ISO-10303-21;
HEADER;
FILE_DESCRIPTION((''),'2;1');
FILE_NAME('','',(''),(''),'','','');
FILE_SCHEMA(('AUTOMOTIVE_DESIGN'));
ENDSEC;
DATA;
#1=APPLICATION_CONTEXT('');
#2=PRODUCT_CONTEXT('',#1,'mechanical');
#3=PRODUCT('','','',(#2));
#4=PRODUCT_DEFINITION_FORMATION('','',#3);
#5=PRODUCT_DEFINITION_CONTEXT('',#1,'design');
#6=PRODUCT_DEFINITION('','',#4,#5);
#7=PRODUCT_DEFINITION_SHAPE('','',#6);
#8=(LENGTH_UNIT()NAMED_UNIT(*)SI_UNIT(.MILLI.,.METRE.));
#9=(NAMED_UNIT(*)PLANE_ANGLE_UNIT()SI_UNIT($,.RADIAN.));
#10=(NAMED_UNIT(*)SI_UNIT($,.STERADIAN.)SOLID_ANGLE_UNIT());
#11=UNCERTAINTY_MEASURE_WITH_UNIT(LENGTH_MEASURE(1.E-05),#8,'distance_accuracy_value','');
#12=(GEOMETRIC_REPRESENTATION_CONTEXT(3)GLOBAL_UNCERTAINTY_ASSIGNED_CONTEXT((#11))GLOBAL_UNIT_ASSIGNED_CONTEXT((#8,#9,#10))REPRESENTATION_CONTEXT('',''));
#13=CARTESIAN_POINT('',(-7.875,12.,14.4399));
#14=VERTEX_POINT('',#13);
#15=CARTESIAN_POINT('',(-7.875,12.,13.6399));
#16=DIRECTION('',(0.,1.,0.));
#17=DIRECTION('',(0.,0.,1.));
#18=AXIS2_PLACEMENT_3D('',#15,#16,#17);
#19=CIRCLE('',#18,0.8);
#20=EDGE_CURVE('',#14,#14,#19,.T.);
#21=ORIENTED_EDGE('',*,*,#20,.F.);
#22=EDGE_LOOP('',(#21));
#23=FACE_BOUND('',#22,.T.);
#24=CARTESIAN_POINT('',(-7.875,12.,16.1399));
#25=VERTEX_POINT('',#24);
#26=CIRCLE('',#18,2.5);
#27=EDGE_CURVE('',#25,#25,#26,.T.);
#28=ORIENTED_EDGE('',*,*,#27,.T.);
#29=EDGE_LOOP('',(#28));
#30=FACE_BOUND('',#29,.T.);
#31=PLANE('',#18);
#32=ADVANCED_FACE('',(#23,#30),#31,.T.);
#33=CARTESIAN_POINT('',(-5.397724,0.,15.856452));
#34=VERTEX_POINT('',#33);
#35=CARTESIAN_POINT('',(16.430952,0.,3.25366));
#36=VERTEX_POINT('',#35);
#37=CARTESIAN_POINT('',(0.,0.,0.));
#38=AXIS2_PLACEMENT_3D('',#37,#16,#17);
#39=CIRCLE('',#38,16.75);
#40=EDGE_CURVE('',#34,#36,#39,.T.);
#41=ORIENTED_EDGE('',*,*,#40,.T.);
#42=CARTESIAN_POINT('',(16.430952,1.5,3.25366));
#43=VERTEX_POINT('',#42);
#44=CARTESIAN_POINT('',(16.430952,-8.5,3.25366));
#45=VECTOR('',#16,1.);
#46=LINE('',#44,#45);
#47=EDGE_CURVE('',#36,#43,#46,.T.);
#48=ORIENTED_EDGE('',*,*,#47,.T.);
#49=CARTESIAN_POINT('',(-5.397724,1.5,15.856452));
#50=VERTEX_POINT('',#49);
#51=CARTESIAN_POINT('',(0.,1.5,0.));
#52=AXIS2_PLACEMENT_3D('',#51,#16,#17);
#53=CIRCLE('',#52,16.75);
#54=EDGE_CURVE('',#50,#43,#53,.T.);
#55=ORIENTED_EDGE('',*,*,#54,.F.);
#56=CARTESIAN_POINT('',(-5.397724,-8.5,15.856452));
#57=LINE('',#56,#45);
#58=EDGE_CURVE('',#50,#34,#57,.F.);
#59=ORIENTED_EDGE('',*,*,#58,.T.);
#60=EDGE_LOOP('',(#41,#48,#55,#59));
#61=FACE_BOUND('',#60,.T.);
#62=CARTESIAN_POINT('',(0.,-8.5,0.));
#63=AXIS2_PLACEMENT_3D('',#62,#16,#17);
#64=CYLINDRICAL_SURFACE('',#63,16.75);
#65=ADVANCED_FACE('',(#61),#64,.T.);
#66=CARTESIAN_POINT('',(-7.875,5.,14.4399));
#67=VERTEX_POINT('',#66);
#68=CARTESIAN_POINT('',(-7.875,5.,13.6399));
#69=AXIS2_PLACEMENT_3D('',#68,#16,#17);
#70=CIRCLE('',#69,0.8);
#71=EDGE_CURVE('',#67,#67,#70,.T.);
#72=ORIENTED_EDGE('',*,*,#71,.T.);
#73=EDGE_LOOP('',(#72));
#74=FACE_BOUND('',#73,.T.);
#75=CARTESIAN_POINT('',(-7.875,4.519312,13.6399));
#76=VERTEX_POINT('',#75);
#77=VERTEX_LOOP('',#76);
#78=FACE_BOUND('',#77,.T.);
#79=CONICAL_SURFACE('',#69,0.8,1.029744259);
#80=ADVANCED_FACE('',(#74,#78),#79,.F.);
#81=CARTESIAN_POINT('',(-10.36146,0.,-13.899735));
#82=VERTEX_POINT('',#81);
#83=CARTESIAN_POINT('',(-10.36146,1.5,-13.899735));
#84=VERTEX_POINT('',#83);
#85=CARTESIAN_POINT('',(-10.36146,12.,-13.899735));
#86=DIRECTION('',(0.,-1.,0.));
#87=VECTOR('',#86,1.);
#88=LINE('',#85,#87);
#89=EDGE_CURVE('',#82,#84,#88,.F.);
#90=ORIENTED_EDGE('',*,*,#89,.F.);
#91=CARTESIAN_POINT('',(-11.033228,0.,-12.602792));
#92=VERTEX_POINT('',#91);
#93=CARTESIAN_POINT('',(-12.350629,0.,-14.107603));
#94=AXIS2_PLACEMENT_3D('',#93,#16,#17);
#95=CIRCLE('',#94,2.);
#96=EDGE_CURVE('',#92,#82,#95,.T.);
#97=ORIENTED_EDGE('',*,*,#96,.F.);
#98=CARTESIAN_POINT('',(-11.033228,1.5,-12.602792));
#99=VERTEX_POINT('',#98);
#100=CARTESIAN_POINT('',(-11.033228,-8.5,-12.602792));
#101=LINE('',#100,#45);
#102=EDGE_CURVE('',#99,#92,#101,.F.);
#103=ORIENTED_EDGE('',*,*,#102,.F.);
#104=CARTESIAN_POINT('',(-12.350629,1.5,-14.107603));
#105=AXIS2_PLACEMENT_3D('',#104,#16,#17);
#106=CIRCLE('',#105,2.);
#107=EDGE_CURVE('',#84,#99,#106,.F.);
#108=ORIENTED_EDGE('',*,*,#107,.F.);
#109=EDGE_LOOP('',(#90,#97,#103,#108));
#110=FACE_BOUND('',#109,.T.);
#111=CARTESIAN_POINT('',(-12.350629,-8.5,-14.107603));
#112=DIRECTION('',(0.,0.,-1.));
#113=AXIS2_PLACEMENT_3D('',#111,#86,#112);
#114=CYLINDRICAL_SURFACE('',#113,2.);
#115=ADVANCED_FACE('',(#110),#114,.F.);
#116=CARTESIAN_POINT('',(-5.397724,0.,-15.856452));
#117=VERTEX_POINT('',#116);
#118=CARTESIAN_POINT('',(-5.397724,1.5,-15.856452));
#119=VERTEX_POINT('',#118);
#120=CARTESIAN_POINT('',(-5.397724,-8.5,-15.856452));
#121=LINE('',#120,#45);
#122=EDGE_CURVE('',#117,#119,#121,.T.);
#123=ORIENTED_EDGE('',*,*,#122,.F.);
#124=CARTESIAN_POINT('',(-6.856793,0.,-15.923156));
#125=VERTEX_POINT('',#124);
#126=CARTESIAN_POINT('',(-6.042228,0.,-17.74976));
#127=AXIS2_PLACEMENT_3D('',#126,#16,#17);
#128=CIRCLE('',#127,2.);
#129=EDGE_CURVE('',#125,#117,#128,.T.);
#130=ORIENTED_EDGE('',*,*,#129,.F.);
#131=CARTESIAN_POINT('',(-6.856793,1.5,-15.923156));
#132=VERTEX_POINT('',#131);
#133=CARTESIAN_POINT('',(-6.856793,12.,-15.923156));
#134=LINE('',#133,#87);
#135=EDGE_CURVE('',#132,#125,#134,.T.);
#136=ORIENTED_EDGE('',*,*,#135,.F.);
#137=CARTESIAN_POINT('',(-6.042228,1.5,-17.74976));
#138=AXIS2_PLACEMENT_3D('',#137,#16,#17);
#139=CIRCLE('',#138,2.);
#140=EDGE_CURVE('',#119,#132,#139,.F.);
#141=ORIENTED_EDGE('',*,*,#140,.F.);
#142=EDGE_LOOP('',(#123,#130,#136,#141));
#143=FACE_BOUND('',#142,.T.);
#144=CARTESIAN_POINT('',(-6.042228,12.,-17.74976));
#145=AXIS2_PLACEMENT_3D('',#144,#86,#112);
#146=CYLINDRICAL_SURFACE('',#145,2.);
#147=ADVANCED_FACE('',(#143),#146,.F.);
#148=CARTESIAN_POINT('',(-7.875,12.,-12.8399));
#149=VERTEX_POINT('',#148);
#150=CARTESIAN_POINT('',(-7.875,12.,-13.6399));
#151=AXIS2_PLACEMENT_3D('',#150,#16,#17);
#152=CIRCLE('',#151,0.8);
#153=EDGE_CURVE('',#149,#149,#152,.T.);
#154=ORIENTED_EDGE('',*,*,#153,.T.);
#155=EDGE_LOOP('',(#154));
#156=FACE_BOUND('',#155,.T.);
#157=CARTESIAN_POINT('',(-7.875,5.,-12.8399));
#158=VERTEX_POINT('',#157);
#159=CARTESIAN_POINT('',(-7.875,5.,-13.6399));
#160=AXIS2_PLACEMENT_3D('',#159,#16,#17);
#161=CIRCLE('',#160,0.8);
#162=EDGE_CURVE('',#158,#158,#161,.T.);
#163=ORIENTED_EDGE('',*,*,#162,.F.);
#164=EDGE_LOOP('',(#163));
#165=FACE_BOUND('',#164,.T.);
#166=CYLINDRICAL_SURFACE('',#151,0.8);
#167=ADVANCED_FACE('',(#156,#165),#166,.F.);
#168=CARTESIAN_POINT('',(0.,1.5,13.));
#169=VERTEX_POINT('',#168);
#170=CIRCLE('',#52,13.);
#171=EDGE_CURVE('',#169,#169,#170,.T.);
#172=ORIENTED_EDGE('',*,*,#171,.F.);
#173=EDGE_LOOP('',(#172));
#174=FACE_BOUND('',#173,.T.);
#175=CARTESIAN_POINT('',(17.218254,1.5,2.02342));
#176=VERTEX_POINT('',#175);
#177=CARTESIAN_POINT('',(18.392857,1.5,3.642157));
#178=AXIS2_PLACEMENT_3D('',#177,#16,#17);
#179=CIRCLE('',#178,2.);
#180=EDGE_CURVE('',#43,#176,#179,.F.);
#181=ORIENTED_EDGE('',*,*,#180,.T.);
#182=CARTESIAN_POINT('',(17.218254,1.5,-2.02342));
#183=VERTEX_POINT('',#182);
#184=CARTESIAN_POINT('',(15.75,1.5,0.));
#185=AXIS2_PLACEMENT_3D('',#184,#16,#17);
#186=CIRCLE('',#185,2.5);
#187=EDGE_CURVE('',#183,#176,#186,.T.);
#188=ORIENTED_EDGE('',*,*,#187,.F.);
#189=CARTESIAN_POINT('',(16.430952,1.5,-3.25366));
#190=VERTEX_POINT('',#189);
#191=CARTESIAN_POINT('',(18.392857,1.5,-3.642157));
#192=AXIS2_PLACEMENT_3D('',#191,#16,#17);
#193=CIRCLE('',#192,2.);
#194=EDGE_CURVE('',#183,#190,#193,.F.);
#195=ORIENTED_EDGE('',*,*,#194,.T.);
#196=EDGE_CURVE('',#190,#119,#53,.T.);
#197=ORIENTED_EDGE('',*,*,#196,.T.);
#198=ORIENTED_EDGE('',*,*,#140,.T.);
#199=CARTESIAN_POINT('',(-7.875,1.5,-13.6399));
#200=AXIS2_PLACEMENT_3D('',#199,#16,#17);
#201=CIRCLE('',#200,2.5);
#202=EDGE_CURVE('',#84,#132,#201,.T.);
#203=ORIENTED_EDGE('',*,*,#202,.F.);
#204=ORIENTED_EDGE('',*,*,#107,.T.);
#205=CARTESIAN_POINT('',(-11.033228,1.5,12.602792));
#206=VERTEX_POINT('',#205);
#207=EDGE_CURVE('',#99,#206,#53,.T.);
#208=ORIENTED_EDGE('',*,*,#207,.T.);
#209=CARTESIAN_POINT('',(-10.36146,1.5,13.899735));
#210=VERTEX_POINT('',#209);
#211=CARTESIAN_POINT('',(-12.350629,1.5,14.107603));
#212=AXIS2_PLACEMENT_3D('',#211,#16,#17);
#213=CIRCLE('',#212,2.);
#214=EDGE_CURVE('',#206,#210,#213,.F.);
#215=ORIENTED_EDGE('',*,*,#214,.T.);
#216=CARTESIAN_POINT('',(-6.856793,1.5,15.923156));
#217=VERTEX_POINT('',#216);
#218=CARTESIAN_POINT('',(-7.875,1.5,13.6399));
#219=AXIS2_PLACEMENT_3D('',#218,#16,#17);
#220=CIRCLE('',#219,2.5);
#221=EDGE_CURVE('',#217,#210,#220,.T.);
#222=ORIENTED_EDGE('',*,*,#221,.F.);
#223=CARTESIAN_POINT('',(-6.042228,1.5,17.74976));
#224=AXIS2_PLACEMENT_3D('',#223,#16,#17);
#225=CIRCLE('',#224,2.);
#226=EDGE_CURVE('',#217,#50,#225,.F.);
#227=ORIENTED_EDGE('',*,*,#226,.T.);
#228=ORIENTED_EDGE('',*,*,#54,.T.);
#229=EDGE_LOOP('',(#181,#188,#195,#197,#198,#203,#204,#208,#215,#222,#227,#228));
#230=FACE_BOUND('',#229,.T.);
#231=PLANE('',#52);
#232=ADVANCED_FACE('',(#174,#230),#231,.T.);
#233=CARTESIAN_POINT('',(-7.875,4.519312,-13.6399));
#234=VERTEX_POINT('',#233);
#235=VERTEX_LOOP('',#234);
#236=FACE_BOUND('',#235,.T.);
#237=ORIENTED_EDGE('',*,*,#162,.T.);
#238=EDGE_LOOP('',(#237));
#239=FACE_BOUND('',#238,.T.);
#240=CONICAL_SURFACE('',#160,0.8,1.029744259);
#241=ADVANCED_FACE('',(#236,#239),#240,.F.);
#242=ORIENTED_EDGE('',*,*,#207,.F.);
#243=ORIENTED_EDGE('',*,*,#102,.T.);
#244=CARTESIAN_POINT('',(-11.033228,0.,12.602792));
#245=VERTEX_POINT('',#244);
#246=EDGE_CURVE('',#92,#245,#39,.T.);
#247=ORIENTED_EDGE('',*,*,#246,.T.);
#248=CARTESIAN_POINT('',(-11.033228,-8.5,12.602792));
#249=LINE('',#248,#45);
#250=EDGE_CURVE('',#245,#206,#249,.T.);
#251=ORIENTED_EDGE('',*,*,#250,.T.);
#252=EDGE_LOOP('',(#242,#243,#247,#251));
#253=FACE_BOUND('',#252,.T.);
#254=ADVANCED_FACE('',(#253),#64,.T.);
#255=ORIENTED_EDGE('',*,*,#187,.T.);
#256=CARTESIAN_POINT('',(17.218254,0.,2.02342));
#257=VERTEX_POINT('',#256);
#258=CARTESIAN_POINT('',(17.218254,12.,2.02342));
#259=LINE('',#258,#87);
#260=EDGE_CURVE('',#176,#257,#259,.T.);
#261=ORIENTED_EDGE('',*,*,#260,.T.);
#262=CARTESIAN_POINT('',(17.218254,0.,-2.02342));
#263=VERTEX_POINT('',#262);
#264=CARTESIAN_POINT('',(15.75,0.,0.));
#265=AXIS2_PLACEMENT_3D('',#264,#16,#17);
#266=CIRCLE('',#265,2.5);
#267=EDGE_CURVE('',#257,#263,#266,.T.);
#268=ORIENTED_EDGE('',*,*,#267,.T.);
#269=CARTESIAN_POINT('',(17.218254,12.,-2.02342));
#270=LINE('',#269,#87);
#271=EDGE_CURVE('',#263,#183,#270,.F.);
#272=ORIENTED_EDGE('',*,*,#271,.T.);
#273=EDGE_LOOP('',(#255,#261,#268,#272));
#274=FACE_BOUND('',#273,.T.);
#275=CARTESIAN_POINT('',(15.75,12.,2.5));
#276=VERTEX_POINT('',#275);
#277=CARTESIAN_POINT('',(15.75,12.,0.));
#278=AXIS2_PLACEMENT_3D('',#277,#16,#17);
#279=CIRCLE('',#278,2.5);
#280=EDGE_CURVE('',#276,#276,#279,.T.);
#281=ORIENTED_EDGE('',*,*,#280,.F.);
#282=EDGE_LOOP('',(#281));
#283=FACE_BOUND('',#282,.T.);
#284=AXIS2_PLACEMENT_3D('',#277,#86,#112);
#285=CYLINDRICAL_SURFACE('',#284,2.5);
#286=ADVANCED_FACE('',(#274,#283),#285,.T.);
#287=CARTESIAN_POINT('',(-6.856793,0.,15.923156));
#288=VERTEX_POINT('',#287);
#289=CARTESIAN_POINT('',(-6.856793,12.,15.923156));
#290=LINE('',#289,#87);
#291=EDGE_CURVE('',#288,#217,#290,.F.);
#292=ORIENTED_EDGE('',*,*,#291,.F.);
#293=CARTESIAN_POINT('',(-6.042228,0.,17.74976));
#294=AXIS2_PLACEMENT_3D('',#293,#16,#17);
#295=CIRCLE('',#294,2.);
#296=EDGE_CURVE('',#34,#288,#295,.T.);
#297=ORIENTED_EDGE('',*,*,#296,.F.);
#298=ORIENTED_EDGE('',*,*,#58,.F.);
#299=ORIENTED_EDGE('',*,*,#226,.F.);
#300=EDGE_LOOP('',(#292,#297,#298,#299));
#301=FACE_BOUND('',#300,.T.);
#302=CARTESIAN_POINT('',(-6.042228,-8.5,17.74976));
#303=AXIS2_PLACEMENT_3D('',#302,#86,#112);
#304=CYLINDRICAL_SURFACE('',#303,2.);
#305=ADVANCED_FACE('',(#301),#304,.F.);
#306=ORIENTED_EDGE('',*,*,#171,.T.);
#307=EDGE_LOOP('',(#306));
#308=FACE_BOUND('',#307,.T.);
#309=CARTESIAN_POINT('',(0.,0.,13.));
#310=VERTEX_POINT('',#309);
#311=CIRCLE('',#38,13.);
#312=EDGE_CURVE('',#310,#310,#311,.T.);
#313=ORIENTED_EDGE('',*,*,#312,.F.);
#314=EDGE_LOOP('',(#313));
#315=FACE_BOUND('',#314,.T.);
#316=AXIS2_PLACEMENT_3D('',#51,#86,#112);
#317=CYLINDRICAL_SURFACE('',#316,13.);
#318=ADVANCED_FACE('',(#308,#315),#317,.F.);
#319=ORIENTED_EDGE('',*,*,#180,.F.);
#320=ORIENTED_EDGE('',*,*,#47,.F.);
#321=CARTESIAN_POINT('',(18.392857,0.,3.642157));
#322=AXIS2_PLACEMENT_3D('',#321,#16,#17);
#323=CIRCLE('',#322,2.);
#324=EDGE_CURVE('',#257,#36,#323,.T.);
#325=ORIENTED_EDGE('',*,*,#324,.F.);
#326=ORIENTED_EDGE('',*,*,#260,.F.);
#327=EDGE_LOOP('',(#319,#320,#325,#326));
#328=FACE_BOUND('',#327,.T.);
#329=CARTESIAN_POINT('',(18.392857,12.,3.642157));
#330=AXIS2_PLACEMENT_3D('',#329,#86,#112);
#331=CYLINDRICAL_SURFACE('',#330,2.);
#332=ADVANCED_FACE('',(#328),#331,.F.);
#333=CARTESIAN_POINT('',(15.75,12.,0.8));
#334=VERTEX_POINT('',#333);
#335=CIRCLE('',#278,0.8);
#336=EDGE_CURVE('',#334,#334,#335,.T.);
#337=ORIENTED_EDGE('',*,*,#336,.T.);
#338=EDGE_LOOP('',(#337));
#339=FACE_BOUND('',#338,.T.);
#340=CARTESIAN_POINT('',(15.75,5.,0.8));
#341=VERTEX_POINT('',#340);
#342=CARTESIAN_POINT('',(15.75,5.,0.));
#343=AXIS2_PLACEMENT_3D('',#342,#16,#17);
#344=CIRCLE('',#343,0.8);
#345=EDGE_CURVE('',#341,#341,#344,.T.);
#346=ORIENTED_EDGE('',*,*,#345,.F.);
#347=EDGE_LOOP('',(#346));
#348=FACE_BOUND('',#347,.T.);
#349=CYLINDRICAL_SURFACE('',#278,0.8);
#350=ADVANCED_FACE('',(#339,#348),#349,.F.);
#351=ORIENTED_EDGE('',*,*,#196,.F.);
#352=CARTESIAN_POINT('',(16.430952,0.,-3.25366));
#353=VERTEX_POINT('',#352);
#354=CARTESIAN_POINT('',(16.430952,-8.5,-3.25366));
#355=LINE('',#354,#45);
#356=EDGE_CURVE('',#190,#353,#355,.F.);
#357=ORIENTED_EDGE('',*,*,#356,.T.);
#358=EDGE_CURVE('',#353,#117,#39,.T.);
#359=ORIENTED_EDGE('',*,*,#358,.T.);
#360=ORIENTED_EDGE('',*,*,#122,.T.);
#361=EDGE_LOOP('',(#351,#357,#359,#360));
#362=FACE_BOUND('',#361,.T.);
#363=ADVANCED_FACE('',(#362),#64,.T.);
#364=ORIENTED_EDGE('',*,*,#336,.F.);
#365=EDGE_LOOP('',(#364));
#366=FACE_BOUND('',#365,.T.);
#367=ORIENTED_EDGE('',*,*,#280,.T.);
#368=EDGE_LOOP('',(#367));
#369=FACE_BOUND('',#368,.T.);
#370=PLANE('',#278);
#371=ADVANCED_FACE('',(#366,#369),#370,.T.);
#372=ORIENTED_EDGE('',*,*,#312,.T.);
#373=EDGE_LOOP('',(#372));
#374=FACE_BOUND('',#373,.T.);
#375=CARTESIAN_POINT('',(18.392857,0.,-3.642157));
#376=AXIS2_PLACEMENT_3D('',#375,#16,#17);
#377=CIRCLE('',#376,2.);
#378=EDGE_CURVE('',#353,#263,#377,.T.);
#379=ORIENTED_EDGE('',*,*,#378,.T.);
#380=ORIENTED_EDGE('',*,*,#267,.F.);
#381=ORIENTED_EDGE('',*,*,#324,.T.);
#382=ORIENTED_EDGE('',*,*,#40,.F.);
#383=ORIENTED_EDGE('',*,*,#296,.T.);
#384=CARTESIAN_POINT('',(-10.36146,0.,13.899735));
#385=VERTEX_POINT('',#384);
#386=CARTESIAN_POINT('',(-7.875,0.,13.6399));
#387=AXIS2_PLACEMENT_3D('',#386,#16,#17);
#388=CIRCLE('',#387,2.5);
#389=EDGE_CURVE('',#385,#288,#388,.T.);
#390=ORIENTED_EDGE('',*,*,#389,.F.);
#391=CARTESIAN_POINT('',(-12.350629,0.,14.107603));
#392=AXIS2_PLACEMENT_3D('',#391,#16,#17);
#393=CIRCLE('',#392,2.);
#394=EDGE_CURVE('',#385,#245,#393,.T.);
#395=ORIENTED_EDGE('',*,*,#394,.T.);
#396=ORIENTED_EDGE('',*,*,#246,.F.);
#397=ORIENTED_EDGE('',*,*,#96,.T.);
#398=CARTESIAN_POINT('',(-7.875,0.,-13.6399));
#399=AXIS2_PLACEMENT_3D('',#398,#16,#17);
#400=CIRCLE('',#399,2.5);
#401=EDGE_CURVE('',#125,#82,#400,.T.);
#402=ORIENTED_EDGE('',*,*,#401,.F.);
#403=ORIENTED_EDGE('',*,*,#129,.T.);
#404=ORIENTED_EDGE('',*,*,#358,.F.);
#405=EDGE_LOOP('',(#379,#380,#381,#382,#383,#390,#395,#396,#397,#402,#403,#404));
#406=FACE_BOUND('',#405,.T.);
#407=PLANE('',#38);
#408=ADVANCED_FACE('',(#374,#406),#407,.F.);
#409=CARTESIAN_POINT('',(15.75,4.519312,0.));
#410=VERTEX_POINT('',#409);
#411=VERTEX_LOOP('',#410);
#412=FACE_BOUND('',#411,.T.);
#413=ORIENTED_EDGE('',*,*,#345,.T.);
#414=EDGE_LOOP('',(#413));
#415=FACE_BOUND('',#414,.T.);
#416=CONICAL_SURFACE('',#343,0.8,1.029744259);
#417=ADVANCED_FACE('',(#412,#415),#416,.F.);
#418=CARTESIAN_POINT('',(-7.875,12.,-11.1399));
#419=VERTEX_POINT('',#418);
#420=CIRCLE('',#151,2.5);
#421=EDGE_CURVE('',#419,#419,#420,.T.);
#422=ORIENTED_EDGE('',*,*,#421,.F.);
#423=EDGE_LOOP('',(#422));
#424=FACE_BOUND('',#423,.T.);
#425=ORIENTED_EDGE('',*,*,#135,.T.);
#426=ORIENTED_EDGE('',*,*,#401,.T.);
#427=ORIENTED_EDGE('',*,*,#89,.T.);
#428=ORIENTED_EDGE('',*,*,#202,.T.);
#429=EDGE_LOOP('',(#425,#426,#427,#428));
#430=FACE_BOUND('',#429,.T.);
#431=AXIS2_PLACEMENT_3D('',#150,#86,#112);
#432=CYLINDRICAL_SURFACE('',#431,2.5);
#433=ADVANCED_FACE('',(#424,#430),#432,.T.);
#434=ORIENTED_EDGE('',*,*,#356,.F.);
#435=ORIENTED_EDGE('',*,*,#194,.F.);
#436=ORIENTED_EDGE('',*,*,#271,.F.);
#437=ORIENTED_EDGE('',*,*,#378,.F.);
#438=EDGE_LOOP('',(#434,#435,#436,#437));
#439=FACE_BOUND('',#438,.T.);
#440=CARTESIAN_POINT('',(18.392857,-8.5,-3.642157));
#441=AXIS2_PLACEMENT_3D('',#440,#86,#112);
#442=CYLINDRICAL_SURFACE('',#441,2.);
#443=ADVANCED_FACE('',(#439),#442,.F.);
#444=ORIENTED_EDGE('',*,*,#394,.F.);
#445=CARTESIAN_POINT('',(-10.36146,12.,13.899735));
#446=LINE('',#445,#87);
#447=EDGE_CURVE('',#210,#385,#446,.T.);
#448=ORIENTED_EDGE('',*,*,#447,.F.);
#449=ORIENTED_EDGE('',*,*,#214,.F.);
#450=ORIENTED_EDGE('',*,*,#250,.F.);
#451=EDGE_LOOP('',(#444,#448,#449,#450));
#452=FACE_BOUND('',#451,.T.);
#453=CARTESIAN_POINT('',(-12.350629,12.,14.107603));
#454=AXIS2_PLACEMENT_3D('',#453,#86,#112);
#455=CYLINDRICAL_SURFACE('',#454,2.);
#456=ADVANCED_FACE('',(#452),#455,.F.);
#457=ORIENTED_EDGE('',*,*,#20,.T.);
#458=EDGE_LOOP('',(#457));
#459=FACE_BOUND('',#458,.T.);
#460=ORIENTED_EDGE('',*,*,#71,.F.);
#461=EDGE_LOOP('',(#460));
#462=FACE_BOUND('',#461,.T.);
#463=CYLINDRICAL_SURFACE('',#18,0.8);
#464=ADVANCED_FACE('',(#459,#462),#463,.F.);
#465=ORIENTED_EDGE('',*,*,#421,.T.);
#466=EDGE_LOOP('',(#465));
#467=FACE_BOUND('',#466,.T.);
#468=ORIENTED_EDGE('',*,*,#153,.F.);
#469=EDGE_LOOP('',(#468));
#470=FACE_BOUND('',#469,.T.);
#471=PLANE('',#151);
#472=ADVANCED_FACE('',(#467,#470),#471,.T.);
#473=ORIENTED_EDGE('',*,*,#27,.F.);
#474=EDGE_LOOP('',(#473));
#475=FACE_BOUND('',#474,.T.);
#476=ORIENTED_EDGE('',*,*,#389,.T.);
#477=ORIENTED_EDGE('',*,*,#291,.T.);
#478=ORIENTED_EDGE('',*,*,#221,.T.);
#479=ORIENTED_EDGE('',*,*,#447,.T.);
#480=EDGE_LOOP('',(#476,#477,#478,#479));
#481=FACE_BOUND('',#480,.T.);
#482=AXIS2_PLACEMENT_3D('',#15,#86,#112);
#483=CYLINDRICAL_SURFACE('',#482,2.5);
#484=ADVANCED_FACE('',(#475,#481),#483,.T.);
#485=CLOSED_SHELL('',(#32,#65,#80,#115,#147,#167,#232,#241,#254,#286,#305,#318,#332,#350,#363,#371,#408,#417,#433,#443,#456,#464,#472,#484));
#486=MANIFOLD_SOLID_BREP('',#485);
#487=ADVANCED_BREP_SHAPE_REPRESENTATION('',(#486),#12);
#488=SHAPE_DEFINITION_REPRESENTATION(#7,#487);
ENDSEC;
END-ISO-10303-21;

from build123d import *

# Parameters (mm, degrees)
SKETCH_1_R             = 18.5
SKETCH_1_R_2           = 13
EXTRUDE_1_DEPTH        = 1.5
SKETCH_2_R             = 2.5
EXTRUDE_2_DEPTH        = 10.5
HOLE_WIZARD_M2_1_D     = 1.6
HOLE_WIZARD_M2_1_DEPTH = 7
HOLE_WIZARD_M2_1_TIP   = 0.480688495
SKETCH_4_OUTSIDE_W     = 49.736
SKETCH_4_OUTSIDE_H     = 49.736
CUT_EXTRUDE_1_DEPTH    = 10
FILLET_1_R             = 2


with BuildPart() as part:
    # 草图1 → 凸台-拉伸1 (new body)
    with BuildSketch(Plane(origin=(0, 0, 0), x_dir=(1, 0, 0), z_dir=(0, 1, 0))):
        with Locations(Location((0, 0, 0), (0, 0, 270))):
            Circle(SKETCH_1_R)
        with Locations(Location((0, 0, 0), (0, 0, 270))):
            Circle(SKETCH_1_R_2, mode=Mode.SUBTRACT)
    extrude(amount=EXTRUDE_1_DEPTH)

    # 草图2 → 凸台-拉伸2 (add)
    with BuildSketch(Plane(origin=(0, 1.5, 0), x_dir=(1, 0, 0), z_dir=(0, 1, 0))):
        with Locations(Location((15.75, 0, 0), (0, 0, 90))):
            Circle(SKETCH_2_R)
        with Locations(Location((-7.875, -13.63990011, 0), (0, 0, 90))):
            Circle(SKETCH_2_R)
        with Locations(Location((-7.875, 13.63990011, 0), (0, 0, 90))):
            Circle(SKETCH_2_R)
    extrude(amount=EXTRUDE_2_DEPTH)

    # M2 螺纹孔1
    with Locations(Plane(origin=(15.75, 12, 0), x_dir=(0, 0, 1), z_dir=(0, 1, 0))):
        with Locations((0, 0), (-13.63990011, -23.625), (13.63990011, -23.625)):
            Hole(HOLE_WIZARD_M2_1_D / 2, depth=HOLE_WIZARD_M2_1_DEPTH)
            with Locations((0, 0, -(HOLE_WIZARD_M2_1_DEPTH + HOLE_WIZARD_M2_1_TIP / 2))):  # 118° drill point
                Cone(0, HOLE_WIZARD_M2_1_D / 2, HOLE_WIZARD_M2_1_TIP, mode=Mode.SUBTRACT)

    # 草图4 outside → 切除-拉伸1 (cut)
    with BuildSketch(Plane(origin=(0, 1.5, 0), x_dir=(1, 0, 0), z_dir=(0, 1, 0))):
        Rectangle(SKETCH_4_OUTSIDE_W, SKETCH_4_OUTSIDE_H)
        with BuildLine():
            ThreePointArc((16.583333333, 2.357022604), (8.375, 14.505925513), (-6.250425214, 15.540099248))
            ThreePointArc((-6.250425214, 15.540099248), (-9.125, 15.804963619), (-10.332908119, 13.183076644))
            ThreePointArc((-10.332908119, 13.183076644), (-16.75, 0), (-10.332908119, -13.183076644))
            ThreePointArc((-10.332908119, -13.183076644), (-9.125, -15.804963619), (-6.250425214, -15.540099248))
            ThreePointArc((-6.250425214, -15.540099248), (8.375, -14.505925513), (16.583333333, -2.357022604))
            ThreePointArc((16.583333333, -2.357022604), (18.25, 0), (16.583333333, 2.357022604))
        make_face(mode=Mode.SUBTRACT)
    extrude(amount=-CUT_EXTRUDE_1_DEPTH, mode=Mode.SUBTRACT)

    # 圆角1
    fillet_1_edges = [part.edges().sort_by_distance(p)[0] for p in [
        (-6.250425214, 0.75, 15.540099248),
        (-10.332908119, 0.75, 13.183076644),
        (-10.332908119, 0.75, -13.183076644),
        (-6.250425214, 0.75, -15.540099248),
        (16.583333333, 0.75, -2.357022604),
        (16.583333333, 0.75, 2.357022604),
    ]]
    fillet(fillet_1_edges, radius=FILLET_1_R)


solid = part.part
